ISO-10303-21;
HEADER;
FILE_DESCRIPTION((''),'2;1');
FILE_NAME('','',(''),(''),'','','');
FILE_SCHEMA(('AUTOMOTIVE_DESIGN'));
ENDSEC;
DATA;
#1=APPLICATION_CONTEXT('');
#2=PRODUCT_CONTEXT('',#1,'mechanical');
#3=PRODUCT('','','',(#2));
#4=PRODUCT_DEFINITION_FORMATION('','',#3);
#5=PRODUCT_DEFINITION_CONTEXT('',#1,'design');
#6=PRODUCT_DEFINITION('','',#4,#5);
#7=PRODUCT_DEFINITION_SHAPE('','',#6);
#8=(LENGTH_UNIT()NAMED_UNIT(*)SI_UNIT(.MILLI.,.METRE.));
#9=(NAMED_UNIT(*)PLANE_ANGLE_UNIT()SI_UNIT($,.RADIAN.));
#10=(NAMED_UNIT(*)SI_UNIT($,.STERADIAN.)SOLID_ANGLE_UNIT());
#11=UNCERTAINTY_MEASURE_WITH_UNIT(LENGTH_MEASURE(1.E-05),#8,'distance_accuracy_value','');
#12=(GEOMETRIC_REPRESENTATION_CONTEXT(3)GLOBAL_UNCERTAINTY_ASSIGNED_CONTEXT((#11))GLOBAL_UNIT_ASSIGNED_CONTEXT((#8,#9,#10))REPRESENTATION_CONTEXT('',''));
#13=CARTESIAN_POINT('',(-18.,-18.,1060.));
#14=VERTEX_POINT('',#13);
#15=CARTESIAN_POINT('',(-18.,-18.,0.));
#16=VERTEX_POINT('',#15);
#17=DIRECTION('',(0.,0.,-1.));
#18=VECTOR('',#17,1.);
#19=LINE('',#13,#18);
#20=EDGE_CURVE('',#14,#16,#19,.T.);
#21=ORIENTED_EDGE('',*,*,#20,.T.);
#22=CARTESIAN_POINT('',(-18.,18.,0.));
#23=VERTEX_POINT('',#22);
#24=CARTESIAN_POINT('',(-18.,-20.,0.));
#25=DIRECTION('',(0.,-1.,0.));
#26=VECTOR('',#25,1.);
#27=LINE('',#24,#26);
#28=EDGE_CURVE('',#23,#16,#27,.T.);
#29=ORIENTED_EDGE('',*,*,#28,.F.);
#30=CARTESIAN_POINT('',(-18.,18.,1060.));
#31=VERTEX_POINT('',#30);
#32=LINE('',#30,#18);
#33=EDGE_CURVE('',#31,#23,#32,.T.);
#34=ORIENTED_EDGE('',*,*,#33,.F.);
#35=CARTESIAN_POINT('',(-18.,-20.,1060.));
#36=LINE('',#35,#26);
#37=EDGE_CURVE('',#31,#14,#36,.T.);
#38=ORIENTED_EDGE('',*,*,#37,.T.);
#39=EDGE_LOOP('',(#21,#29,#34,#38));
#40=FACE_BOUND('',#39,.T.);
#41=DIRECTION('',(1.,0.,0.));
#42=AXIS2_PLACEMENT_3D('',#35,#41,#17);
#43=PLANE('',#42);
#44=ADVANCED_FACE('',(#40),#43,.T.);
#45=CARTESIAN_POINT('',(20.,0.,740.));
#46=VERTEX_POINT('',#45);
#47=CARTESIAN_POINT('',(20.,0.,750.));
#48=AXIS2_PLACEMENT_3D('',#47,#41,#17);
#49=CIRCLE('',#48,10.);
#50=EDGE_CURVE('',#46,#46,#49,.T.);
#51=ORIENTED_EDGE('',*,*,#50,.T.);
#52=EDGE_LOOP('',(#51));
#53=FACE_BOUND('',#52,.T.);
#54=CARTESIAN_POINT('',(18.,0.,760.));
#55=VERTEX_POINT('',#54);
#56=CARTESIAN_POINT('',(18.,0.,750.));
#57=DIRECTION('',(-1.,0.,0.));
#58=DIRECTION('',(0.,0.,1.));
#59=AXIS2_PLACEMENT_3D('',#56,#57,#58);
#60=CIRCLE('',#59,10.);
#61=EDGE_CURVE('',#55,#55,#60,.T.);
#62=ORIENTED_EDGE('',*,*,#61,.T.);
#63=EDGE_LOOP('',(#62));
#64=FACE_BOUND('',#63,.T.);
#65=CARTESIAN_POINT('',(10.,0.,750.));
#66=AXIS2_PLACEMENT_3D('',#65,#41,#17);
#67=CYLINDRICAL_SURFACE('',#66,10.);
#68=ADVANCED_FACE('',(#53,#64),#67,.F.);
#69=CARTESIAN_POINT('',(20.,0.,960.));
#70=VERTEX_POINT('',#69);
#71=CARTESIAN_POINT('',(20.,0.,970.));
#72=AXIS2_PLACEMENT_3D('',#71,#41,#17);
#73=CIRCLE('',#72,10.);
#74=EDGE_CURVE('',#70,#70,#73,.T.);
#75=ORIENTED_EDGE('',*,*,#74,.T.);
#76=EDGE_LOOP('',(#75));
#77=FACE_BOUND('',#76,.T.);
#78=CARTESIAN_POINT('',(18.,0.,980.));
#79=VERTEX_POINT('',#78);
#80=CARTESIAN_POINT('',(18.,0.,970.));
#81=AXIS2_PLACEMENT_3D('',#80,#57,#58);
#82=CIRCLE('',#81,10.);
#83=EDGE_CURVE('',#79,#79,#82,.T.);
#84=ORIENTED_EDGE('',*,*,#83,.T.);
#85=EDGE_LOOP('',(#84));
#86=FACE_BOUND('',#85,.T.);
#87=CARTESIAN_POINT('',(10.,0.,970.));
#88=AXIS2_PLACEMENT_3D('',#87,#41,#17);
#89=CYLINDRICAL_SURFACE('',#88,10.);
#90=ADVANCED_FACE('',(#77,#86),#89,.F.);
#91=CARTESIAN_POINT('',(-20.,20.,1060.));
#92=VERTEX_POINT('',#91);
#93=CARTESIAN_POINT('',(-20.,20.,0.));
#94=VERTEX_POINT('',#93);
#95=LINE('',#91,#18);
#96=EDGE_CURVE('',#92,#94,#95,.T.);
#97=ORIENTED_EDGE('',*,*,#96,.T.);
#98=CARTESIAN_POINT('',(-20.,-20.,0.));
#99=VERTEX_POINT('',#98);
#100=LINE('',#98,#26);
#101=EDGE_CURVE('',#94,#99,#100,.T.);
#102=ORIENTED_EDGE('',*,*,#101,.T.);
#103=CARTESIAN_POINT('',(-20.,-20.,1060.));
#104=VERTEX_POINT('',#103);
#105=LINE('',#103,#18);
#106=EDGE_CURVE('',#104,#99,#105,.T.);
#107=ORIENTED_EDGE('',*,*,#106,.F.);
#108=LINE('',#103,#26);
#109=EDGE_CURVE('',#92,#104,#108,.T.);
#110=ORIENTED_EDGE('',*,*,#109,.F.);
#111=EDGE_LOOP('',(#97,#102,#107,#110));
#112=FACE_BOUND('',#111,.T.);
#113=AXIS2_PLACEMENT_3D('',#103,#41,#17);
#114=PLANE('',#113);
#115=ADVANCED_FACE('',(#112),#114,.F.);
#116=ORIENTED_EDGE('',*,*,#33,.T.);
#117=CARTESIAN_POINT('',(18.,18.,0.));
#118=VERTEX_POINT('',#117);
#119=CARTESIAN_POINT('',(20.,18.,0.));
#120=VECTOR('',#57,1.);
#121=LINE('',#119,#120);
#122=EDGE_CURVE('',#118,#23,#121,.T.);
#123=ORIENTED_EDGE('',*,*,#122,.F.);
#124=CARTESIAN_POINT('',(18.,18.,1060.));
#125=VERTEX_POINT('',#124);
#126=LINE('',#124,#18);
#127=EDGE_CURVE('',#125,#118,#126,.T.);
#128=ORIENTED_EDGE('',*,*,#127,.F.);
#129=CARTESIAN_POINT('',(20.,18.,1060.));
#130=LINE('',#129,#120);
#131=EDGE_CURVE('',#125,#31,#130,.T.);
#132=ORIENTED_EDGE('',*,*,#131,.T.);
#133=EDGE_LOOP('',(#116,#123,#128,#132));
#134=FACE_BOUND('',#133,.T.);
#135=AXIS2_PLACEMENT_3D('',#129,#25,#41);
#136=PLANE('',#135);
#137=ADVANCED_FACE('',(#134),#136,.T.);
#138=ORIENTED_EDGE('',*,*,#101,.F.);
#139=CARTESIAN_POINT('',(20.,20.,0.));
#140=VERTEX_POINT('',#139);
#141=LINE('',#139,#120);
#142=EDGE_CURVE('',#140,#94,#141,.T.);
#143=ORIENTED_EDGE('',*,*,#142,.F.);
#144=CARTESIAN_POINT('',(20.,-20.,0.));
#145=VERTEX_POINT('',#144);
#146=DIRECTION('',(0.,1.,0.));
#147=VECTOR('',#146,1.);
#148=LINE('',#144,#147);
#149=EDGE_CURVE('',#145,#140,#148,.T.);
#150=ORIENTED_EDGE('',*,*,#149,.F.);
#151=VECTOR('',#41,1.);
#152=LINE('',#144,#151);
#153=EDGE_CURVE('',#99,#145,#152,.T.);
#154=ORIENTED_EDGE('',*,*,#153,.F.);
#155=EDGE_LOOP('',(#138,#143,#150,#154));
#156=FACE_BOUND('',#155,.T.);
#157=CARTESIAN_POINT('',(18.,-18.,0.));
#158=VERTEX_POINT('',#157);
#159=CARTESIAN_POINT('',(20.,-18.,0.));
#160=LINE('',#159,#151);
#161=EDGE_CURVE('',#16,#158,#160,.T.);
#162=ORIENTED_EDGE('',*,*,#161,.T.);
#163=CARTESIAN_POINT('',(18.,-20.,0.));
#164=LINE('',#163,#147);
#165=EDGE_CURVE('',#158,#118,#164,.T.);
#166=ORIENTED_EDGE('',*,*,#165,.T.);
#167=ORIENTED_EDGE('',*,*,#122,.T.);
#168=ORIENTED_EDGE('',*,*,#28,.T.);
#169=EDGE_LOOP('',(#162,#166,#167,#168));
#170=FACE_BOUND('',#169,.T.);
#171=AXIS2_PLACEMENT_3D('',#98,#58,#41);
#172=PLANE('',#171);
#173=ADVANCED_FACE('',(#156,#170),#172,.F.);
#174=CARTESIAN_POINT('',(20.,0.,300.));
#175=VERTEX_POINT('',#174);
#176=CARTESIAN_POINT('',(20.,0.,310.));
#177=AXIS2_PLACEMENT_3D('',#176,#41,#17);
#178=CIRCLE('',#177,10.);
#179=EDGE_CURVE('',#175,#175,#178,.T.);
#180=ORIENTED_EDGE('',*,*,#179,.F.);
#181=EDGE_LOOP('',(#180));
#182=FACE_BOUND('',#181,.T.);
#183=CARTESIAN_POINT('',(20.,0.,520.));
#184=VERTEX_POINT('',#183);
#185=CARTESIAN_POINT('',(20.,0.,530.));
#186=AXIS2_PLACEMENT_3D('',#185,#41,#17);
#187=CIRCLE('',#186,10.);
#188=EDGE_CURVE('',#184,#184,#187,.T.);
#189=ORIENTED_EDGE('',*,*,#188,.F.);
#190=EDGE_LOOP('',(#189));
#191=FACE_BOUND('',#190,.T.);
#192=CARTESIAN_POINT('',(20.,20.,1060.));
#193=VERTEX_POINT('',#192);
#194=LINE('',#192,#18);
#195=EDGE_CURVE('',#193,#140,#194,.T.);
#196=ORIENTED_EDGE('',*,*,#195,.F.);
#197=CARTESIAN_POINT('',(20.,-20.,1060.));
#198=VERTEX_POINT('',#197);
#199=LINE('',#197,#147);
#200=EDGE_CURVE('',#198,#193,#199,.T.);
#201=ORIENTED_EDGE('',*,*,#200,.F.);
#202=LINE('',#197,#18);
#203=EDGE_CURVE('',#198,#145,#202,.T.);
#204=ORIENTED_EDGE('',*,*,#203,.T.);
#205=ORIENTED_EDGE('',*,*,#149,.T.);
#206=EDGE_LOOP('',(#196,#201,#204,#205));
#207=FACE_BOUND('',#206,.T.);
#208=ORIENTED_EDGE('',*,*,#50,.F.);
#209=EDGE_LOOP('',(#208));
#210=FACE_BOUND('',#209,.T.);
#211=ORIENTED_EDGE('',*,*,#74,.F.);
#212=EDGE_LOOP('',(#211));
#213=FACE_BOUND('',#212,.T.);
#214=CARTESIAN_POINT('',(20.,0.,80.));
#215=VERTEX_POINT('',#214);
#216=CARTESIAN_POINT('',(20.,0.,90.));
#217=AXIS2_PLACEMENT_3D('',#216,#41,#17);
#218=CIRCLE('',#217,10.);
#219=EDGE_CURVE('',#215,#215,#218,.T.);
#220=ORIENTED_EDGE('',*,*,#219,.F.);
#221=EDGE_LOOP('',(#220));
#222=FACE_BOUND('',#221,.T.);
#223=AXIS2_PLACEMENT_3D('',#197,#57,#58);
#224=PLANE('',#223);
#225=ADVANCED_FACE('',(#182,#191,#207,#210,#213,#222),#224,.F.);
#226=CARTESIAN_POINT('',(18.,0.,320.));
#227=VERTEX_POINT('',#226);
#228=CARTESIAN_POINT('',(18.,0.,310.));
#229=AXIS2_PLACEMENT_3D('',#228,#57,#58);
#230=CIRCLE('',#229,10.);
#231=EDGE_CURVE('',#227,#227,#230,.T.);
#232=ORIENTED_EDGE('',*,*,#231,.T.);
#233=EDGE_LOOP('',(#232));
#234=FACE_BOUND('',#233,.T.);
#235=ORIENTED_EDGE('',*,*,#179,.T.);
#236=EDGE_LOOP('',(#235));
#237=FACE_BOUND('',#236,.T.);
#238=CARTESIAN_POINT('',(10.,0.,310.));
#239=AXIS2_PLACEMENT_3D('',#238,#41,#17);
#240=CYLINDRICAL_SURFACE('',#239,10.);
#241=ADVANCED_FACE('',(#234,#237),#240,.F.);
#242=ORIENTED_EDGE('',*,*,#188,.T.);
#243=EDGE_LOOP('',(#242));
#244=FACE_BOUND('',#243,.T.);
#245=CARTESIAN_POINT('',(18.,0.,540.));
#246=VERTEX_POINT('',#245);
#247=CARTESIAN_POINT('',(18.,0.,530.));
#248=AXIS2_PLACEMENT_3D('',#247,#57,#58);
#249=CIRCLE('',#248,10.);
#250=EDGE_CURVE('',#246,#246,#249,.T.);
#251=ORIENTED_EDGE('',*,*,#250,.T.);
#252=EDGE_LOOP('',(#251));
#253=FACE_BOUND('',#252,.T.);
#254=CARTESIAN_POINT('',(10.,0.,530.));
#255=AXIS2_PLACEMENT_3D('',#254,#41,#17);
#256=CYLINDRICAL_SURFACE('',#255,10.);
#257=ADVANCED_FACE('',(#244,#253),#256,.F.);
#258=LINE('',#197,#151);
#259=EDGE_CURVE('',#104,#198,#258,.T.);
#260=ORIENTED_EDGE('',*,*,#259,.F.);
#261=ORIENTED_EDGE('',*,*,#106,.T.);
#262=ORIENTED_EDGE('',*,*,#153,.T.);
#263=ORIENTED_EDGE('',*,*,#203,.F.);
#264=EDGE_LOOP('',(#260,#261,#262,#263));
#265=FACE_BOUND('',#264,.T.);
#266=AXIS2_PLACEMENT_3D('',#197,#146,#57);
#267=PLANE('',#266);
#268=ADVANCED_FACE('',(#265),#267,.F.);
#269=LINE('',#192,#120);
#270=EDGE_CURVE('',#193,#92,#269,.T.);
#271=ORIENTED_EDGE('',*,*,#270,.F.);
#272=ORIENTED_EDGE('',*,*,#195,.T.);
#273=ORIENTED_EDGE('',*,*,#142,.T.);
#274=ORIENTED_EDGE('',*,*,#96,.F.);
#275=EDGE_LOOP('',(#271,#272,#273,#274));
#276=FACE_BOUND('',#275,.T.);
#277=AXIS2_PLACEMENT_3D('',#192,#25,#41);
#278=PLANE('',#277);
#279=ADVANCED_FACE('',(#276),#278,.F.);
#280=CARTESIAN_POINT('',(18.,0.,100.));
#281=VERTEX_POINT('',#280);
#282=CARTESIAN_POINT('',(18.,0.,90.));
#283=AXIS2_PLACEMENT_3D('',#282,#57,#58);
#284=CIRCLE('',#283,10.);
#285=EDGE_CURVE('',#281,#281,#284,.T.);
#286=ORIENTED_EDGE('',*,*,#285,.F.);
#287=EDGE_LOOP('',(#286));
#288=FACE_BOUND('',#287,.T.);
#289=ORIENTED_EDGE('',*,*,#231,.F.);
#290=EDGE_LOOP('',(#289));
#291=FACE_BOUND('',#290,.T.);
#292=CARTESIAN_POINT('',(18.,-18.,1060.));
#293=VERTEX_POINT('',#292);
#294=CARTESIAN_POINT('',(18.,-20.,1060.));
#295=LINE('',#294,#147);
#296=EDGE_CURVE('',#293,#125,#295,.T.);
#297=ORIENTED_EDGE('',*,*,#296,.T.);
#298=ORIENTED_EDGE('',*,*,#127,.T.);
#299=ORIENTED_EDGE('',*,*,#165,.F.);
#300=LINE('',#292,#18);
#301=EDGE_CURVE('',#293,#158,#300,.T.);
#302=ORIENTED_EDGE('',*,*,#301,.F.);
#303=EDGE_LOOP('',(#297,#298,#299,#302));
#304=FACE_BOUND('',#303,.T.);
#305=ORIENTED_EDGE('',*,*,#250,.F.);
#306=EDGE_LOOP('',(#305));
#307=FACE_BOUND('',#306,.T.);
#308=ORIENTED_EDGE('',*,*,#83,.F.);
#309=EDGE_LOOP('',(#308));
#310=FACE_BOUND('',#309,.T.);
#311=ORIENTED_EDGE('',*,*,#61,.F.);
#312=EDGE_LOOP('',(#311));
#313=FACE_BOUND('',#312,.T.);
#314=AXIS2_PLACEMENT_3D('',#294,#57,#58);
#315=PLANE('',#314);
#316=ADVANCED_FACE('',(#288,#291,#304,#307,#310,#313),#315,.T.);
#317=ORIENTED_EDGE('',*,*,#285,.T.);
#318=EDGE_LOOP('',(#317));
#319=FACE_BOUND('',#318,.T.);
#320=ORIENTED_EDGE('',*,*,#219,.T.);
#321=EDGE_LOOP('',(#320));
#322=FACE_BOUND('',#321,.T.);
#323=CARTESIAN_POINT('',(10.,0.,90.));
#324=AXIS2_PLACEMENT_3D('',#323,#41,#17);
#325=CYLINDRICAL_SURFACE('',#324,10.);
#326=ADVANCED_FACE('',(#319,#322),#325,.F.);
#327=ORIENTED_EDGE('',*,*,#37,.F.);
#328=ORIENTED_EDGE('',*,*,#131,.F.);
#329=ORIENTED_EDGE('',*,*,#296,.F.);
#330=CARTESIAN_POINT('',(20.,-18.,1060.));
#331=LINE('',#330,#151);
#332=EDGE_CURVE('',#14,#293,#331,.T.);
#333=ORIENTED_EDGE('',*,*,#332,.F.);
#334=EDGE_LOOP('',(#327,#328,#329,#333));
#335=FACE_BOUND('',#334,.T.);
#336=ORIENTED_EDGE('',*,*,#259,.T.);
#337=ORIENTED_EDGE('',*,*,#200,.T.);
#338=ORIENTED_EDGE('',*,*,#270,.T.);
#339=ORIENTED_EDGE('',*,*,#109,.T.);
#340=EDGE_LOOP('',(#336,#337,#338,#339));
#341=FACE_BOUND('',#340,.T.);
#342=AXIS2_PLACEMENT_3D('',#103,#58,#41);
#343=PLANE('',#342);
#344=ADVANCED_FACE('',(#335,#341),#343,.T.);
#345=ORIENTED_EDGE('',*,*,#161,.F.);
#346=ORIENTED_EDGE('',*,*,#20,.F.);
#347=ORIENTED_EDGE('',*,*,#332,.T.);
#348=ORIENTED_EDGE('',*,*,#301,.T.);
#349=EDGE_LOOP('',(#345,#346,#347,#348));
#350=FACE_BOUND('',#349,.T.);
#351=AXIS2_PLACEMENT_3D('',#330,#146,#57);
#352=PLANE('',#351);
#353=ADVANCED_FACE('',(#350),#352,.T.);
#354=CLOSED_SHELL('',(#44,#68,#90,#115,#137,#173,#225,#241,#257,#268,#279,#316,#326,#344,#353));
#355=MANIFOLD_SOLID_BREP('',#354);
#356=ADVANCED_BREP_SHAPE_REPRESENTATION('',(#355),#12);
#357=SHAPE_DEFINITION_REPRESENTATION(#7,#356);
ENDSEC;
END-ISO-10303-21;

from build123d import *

# Parameters (mm, degrees)
CROQUIS1_W            = 40
CROQUIS1_H            = 40
CROQUIS1_W_2          = 36
CROQUIS1_H_2          = 36
EXTRUIR_L_MINA1_DEPTH = 1060
CROQUIS2_R            = 10
EXTRUIR1_DEPTH        = 10


with BuildPart() as part:
    # Croquis1 → Extruir-Lámina1 (new body)
    with BuildSketch(Plane.XY):
        Rectangle(CROQUIS1_W, CROQUIS1_H)
        Rectangle(CROQUIS1_W_2, CROQUIS1_H_2, mode=Mode.SUBTRACT)
    extrude(amount=EXTRUIR_L_MINA1_DEPTH)

    # Croquis2 → Extruir1 (cut)
    with BuildSketch(Plane(origin=(20, 0, 0), x_dir=(0, 0, -1), z_dir=(1, 0, 0))):
        with Locations((-530, 0)):
            Circle(CROQUIS2_R)
        with Locations((-310, 0)):
            Circle(CROQUIS2_R)
        with Locations((-90, 0)):
            Circle(CROQUIS2_R)
        with Locations((-750, 0)):
            Circle(CROQUIS2_R)
        with Locations((-970, 0)):
            Circle(CROQUIS2_R)
    extrude(amount=-EXTRUIR1_DEPTH, mode=Mode.SUBTRACT)


solid = part.part
